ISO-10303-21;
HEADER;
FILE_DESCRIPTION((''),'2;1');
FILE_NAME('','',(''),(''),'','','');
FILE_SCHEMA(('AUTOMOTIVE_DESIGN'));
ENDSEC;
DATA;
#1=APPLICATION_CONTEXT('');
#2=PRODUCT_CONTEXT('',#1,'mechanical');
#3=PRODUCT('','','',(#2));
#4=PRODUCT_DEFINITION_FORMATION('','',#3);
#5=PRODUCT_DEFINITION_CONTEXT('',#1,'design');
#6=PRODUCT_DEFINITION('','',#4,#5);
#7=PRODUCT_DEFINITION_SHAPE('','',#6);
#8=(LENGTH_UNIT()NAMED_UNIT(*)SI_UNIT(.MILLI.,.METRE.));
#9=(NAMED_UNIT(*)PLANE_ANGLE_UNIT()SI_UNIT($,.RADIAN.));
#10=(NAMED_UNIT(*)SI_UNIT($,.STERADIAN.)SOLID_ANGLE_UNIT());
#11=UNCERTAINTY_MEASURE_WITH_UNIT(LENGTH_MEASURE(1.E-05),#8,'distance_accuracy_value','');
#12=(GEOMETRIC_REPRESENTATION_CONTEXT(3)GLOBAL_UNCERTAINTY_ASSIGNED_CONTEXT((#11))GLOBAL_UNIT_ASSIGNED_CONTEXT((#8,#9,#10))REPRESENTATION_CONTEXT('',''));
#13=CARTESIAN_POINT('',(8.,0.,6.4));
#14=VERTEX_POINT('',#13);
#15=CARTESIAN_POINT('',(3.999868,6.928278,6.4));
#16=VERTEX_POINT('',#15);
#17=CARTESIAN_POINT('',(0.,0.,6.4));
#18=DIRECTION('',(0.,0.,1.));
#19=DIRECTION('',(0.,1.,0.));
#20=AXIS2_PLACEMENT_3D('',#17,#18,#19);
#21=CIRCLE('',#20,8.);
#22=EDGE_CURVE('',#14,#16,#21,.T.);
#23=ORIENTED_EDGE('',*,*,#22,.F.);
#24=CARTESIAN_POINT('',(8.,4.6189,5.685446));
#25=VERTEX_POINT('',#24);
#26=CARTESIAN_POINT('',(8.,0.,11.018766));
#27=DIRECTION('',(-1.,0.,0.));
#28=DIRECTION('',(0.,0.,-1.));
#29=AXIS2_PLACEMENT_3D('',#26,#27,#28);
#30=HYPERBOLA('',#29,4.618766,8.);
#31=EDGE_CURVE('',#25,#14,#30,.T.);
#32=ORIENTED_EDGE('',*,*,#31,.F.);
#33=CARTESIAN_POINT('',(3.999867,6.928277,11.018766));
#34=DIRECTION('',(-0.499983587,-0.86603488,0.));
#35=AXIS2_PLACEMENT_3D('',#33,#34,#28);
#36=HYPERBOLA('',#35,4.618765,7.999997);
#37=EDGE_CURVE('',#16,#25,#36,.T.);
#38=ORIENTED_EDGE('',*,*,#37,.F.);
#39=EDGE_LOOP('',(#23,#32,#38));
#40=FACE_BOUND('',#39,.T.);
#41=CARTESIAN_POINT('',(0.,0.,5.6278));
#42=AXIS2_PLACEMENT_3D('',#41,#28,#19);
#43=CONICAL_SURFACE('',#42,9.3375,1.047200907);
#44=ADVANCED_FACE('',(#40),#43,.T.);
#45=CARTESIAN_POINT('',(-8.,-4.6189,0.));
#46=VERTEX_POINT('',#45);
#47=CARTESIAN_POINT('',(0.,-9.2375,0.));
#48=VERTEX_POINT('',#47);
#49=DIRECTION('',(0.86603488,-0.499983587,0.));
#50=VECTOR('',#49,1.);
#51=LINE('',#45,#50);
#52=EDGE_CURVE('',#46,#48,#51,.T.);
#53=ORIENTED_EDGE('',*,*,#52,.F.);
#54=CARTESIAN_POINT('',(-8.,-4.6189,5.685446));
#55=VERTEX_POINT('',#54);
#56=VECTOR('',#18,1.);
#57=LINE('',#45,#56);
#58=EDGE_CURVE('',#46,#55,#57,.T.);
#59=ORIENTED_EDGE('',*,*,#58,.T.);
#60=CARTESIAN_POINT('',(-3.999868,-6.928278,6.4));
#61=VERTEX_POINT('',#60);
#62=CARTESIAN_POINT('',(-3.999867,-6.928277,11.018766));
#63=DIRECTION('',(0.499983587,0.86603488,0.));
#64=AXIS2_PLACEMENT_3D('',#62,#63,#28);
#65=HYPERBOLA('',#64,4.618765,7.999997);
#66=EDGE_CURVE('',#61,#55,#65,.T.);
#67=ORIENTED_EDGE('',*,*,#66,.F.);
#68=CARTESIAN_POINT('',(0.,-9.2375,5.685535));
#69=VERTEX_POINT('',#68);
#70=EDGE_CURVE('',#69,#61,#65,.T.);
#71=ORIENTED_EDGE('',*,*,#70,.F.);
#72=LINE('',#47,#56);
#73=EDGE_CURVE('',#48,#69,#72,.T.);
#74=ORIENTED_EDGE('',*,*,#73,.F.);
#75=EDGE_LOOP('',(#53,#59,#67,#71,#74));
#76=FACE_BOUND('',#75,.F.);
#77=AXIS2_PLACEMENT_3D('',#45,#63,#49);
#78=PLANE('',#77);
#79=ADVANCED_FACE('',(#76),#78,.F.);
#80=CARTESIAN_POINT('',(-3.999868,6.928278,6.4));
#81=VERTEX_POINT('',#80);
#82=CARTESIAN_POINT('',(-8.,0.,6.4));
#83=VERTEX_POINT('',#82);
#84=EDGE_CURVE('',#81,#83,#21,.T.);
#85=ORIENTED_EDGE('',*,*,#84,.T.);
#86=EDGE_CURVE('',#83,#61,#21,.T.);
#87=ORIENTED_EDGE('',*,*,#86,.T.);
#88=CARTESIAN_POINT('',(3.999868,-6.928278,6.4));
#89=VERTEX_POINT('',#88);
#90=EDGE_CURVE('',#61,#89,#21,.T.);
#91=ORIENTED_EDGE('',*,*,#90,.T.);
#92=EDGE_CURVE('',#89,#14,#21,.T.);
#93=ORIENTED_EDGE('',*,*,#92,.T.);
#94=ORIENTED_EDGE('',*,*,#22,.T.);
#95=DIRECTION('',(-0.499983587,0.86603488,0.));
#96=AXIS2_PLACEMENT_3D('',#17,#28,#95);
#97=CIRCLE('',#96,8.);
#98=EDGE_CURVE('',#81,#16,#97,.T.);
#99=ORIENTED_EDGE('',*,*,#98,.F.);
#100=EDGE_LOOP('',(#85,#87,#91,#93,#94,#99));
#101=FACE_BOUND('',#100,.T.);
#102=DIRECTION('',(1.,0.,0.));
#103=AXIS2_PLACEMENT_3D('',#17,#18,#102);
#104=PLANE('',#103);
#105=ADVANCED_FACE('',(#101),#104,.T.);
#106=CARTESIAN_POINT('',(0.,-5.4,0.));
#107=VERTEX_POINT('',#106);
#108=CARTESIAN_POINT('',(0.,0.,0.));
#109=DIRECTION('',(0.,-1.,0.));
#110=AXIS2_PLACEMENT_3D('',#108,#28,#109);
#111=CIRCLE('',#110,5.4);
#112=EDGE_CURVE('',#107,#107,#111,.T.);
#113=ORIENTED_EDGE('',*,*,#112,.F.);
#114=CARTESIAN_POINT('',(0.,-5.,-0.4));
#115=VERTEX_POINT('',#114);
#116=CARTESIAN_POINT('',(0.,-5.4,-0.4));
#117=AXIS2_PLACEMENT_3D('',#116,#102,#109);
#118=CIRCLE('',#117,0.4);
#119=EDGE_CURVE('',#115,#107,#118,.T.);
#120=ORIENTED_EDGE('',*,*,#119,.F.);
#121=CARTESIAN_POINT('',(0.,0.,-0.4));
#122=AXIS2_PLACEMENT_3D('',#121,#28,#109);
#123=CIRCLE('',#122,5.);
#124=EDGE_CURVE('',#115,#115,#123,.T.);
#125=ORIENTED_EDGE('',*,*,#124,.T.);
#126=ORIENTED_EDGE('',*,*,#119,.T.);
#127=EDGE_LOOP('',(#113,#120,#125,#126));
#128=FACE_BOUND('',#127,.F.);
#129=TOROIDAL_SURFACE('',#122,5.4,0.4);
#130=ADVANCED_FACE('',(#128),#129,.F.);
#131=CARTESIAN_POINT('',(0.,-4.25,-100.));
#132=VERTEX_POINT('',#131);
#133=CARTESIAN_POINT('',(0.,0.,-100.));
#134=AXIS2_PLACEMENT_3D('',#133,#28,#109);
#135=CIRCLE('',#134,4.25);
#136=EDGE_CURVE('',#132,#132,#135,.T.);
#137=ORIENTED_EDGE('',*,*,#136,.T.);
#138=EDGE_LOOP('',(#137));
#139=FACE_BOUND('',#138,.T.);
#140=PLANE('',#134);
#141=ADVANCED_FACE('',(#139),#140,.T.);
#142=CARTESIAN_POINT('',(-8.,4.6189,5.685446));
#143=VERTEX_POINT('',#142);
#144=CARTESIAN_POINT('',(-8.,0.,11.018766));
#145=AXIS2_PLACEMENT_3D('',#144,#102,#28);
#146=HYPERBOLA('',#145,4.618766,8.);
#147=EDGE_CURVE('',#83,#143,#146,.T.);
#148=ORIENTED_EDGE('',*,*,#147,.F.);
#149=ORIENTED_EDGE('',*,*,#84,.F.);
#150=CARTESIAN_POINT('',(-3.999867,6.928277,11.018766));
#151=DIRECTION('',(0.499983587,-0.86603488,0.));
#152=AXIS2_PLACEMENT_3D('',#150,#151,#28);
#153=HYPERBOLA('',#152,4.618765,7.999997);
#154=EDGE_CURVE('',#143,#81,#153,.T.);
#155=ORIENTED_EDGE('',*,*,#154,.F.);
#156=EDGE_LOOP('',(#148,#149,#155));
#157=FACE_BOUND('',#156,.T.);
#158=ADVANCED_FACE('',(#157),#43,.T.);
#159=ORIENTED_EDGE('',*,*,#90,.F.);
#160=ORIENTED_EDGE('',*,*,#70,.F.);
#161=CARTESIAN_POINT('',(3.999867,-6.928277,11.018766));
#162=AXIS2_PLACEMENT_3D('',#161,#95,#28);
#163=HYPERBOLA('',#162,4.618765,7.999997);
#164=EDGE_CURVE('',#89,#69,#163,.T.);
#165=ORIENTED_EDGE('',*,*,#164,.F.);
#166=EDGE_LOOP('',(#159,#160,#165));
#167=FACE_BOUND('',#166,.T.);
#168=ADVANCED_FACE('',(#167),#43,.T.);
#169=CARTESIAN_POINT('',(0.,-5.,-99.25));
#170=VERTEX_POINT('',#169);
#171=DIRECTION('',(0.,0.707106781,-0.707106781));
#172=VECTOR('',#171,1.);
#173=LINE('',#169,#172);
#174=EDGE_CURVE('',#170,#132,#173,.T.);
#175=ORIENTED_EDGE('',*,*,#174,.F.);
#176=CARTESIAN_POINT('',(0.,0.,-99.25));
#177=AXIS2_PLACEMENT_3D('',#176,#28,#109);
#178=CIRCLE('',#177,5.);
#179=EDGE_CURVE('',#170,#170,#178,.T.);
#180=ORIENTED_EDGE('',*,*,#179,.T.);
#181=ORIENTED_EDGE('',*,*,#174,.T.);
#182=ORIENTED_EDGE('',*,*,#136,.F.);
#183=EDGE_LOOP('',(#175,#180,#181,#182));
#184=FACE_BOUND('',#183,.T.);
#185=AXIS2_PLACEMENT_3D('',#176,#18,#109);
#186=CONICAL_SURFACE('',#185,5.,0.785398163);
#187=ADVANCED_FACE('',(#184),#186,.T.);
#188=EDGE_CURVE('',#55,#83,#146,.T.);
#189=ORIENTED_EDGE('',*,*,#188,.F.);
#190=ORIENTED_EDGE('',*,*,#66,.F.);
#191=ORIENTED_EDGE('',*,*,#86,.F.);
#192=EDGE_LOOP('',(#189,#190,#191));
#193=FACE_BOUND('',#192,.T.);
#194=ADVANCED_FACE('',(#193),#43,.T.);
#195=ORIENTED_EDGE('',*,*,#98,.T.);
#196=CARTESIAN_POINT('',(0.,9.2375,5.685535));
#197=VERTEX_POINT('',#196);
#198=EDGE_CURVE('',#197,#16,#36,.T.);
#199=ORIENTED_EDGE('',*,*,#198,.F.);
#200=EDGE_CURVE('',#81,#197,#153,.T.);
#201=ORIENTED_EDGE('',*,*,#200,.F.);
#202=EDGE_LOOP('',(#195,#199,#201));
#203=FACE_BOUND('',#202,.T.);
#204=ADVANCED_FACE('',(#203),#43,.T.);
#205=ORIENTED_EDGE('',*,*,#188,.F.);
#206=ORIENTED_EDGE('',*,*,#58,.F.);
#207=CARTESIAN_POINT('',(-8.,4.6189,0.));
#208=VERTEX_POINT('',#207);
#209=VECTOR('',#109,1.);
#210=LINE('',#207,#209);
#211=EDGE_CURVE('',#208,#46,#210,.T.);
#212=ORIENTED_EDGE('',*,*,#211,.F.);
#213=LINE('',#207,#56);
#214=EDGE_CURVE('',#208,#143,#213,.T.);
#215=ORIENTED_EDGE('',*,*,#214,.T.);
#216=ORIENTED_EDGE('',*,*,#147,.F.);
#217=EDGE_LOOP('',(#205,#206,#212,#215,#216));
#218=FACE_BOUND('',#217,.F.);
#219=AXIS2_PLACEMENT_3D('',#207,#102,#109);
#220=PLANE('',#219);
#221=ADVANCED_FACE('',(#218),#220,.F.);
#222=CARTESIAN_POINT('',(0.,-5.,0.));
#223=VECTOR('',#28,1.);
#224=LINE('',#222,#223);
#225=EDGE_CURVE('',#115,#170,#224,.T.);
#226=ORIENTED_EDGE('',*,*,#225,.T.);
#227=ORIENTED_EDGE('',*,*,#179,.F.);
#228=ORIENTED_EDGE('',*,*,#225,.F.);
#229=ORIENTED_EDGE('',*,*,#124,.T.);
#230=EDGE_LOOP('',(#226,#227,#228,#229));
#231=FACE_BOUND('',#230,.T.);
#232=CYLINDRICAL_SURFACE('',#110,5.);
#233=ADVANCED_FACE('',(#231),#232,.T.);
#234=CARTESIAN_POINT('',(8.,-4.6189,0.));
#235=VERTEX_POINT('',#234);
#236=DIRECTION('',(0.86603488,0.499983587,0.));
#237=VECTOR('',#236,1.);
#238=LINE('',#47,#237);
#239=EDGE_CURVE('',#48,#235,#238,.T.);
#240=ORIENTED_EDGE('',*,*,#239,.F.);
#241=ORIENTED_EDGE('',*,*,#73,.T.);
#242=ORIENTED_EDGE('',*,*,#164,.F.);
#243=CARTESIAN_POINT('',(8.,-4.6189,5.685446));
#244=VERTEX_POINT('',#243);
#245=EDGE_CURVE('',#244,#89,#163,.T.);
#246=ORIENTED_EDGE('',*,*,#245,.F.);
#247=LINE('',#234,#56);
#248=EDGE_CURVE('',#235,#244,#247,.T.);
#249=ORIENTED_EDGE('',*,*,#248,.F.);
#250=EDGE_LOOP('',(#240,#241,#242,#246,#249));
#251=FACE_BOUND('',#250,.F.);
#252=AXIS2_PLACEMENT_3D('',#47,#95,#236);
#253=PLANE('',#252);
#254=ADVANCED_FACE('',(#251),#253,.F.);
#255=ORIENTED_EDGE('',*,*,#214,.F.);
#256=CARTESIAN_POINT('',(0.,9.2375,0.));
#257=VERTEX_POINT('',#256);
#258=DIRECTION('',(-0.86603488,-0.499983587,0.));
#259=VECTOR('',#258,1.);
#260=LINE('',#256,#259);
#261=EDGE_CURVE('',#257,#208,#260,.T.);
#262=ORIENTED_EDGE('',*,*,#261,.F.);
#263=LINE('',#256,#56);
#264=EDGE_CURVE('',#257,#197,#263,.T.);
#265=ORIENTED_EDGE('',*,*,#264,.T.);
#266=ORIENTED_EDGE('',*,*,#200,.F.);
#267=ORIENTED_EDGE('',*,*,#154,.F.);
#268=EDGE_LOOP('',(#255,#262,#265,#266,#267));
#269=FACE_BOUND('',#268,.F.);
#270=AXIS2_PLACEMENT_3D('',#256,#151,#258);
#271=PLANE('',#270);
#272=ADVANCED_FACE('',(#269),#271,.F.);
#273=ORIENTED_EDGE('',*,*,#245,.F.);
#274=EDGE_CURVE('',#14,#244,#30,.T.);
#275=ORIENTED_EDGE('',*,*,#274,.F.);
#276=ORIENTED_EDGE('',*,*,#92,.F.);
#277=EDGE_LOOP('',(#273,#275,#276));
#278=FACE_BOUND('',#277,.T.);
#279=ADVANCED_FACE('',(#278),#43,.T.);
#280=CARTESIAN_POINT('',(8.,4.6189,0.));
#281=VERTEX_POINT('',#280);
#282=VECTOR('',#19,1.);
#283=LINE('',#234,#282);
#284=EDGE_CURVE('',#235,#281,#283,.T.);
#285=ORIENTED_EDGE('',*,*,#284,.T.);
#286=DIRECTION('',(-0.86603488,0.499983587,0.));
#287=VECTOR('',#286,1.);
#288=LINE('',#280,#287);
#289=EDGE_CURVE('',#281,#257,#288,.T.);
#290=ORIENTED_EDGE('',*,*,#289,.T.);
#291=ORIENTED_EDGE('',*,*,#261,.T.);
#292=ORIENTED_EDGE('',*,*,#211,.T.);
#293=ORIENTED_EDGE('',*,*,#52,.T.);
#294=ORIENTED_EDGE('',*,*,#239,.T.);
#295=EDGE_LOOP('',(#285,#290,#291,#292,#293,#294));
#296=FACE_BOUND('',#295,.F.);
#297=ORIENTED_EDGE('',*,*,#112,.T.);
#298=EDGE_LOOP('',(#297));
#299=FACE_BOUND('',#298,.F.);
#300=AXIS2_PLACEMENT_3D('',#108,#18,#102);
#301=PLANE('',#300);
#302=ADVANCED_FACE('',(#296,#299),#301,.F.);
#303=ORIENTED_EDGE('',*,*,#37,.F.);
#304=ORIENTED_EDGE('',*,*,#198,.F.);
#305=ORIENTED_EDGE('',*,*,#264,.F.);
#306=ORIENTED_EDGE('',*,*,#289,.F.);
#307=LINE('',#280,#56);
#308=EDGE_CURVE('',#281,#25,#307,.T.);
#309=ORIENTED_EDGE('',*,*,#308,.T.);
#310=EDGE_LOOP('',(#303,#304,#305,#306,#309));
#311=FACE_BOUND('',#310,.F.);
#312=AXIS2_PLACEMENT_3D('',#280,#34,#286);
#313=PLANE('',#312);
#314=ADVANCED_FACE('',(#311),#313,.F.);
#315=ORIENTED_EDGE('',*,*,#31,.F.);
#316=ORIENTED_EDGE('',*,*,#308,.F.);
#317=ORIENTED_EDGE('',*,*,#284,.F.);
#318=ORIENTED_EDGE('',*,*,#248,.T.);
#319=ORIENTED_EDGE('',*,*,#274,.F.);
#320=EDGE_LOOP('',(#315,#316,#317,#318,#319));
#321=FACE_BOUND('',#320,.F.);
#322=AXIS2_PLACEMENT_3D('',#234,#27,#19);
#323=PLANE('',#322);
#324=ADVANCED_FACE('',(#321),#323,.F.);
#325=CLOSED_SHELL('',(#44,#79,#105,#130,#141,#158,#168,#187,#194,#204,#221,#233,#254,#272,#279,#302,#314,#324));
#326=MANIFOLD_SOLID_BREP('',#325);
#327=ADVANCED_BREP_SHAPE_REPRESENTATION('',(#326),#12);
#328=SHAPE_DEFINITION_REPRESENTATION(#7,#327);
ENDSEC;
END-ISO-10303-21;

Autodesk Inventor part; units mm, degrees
ref_plane "WorkPlane1" through (0, 0, 0) normal (0, 0, 1) x (1, 0, 0)
sketch "Sketch1" plane through (0, 0, 0) normal (0, 0, 1) x (1, 0, 0)
  point P0 (0, 0)
sketch "Sketch2" plane through (0, 0, 0) normal (0, 0, 1) x (1, 0, 0)
  line L0 (-8, 4.6189) -> (-8, -4.6189)
  line L1 (0, 9.2375) -> (-8, 4.6189)
  line L2 (8, 4.6189) -> (0, 9.2375)
  line L3 (8, -4.6189) -> (8, 4.6189)
  line L4 (0, -9.2375) -> (8, -4.6189)
  line L5 (-8, -4.6189) -> (0, -9.2375)
  circle A0 centre (0, 0) radius 8 construction
  dimension "d1" = 16
  dimension "d29" = 0
  dimension "d30" = 0
extrude "Extrusion1" add sketch "Sketch2" along normal blind 6.4
sketch "Sketch3" plane through (0, 0, 0) normal (1, 0, 0) x (0, 1, 0)
  line L0 (8, 6.4) -> (9.3375, 6.4)
  line L1 (9.3375, 5.6278) -> (8, 6.4)
  line L2 (9.3375, 6.4) -> (9.3375, 5.6278)
  line L3 (0, -1.28) -> (0, 7.68) projected
  line L4 (9.2375, 0) -> (9.2375, 6.4) projected
  dimension "d25" = 0.1
  dimension "d26" = 0
  dimension "d27" = 60
  dimension "d28" = 8
revolve "Revolution1" cut sketch "Sketch3" angle 360 about axis through (0, 0, -10) along (0, 0, 1)
sketch "Sketch4" plane through (0, 0, 0) normal (1, 0, 0) x (0, 1, 0)
  line L0 (0, -100) -> (0, 0)
  line L1 (-5, -100) -> (0, -100)
  line L2 (-5, 0) -> (-5, -100)
  line L3 (0, 0) -> (-5, 0)
  line L4 (0, -100) -> (0, 0)
  line L5 (-6, 0) -> (1, 0) projected
  line L6 (0, -120) -> (0, 20) projected
  dimension "d18" = 5
  dimension "d20" = 100
  dimension "d33" = 0
  dimension "d34" = 0
revolve "Revolution2" add sketch "Sketch4" angle 360 about axis through (0, 0, -100) along (0, 0, -1)
chamfer "Chamfer1" distance 0.75 angle 45 1 edges at (0, 5, -100)
fillet "Fillet1" radius 0.4 1 edges at (0, 5, 0)
thread "Thread1" size "M10x1.5" class "6g" standard "ISO Metric profile" length 97
ref_plane "MSC_PF1" through (0, 0, 0) normal (1, 0, 0) x (0, 1, 0)
ref_plane "MSC_PT1" through (0, 0, 0) normal (0, 0, -1) x (-1, 0, 0)
equation "\"d22\" = 0.5 * PTC"
equation "\"d23\" = 0.5 * PTC"
equation "\"d24\" = r"
equation "\"d1\" = ParS"
equation "\"d6\" = ParK"
equation "\"b\" = NLG - 2 * PTC"
equation "\"d28\" = 0.5 * ParS"
equation "\"d18\" = 0.5 * NND"
equation "\"d20\" = NLG"
equation "\"NLG\" = 100"
equation "\"PTC\" = 1.5"
equation "\"ParK\" = 6.4"
equation "\"ParS\" = 16"
equation "\"msp_es\" = 0.577367 * ParS"
equation "\"r\" = 0.4"
equation "\"K1\" = 4.17"
equation "\"NND\" = 10"
properties part number "DIN EN ISO 4018 - M10x100" material "Stainless Steel"
